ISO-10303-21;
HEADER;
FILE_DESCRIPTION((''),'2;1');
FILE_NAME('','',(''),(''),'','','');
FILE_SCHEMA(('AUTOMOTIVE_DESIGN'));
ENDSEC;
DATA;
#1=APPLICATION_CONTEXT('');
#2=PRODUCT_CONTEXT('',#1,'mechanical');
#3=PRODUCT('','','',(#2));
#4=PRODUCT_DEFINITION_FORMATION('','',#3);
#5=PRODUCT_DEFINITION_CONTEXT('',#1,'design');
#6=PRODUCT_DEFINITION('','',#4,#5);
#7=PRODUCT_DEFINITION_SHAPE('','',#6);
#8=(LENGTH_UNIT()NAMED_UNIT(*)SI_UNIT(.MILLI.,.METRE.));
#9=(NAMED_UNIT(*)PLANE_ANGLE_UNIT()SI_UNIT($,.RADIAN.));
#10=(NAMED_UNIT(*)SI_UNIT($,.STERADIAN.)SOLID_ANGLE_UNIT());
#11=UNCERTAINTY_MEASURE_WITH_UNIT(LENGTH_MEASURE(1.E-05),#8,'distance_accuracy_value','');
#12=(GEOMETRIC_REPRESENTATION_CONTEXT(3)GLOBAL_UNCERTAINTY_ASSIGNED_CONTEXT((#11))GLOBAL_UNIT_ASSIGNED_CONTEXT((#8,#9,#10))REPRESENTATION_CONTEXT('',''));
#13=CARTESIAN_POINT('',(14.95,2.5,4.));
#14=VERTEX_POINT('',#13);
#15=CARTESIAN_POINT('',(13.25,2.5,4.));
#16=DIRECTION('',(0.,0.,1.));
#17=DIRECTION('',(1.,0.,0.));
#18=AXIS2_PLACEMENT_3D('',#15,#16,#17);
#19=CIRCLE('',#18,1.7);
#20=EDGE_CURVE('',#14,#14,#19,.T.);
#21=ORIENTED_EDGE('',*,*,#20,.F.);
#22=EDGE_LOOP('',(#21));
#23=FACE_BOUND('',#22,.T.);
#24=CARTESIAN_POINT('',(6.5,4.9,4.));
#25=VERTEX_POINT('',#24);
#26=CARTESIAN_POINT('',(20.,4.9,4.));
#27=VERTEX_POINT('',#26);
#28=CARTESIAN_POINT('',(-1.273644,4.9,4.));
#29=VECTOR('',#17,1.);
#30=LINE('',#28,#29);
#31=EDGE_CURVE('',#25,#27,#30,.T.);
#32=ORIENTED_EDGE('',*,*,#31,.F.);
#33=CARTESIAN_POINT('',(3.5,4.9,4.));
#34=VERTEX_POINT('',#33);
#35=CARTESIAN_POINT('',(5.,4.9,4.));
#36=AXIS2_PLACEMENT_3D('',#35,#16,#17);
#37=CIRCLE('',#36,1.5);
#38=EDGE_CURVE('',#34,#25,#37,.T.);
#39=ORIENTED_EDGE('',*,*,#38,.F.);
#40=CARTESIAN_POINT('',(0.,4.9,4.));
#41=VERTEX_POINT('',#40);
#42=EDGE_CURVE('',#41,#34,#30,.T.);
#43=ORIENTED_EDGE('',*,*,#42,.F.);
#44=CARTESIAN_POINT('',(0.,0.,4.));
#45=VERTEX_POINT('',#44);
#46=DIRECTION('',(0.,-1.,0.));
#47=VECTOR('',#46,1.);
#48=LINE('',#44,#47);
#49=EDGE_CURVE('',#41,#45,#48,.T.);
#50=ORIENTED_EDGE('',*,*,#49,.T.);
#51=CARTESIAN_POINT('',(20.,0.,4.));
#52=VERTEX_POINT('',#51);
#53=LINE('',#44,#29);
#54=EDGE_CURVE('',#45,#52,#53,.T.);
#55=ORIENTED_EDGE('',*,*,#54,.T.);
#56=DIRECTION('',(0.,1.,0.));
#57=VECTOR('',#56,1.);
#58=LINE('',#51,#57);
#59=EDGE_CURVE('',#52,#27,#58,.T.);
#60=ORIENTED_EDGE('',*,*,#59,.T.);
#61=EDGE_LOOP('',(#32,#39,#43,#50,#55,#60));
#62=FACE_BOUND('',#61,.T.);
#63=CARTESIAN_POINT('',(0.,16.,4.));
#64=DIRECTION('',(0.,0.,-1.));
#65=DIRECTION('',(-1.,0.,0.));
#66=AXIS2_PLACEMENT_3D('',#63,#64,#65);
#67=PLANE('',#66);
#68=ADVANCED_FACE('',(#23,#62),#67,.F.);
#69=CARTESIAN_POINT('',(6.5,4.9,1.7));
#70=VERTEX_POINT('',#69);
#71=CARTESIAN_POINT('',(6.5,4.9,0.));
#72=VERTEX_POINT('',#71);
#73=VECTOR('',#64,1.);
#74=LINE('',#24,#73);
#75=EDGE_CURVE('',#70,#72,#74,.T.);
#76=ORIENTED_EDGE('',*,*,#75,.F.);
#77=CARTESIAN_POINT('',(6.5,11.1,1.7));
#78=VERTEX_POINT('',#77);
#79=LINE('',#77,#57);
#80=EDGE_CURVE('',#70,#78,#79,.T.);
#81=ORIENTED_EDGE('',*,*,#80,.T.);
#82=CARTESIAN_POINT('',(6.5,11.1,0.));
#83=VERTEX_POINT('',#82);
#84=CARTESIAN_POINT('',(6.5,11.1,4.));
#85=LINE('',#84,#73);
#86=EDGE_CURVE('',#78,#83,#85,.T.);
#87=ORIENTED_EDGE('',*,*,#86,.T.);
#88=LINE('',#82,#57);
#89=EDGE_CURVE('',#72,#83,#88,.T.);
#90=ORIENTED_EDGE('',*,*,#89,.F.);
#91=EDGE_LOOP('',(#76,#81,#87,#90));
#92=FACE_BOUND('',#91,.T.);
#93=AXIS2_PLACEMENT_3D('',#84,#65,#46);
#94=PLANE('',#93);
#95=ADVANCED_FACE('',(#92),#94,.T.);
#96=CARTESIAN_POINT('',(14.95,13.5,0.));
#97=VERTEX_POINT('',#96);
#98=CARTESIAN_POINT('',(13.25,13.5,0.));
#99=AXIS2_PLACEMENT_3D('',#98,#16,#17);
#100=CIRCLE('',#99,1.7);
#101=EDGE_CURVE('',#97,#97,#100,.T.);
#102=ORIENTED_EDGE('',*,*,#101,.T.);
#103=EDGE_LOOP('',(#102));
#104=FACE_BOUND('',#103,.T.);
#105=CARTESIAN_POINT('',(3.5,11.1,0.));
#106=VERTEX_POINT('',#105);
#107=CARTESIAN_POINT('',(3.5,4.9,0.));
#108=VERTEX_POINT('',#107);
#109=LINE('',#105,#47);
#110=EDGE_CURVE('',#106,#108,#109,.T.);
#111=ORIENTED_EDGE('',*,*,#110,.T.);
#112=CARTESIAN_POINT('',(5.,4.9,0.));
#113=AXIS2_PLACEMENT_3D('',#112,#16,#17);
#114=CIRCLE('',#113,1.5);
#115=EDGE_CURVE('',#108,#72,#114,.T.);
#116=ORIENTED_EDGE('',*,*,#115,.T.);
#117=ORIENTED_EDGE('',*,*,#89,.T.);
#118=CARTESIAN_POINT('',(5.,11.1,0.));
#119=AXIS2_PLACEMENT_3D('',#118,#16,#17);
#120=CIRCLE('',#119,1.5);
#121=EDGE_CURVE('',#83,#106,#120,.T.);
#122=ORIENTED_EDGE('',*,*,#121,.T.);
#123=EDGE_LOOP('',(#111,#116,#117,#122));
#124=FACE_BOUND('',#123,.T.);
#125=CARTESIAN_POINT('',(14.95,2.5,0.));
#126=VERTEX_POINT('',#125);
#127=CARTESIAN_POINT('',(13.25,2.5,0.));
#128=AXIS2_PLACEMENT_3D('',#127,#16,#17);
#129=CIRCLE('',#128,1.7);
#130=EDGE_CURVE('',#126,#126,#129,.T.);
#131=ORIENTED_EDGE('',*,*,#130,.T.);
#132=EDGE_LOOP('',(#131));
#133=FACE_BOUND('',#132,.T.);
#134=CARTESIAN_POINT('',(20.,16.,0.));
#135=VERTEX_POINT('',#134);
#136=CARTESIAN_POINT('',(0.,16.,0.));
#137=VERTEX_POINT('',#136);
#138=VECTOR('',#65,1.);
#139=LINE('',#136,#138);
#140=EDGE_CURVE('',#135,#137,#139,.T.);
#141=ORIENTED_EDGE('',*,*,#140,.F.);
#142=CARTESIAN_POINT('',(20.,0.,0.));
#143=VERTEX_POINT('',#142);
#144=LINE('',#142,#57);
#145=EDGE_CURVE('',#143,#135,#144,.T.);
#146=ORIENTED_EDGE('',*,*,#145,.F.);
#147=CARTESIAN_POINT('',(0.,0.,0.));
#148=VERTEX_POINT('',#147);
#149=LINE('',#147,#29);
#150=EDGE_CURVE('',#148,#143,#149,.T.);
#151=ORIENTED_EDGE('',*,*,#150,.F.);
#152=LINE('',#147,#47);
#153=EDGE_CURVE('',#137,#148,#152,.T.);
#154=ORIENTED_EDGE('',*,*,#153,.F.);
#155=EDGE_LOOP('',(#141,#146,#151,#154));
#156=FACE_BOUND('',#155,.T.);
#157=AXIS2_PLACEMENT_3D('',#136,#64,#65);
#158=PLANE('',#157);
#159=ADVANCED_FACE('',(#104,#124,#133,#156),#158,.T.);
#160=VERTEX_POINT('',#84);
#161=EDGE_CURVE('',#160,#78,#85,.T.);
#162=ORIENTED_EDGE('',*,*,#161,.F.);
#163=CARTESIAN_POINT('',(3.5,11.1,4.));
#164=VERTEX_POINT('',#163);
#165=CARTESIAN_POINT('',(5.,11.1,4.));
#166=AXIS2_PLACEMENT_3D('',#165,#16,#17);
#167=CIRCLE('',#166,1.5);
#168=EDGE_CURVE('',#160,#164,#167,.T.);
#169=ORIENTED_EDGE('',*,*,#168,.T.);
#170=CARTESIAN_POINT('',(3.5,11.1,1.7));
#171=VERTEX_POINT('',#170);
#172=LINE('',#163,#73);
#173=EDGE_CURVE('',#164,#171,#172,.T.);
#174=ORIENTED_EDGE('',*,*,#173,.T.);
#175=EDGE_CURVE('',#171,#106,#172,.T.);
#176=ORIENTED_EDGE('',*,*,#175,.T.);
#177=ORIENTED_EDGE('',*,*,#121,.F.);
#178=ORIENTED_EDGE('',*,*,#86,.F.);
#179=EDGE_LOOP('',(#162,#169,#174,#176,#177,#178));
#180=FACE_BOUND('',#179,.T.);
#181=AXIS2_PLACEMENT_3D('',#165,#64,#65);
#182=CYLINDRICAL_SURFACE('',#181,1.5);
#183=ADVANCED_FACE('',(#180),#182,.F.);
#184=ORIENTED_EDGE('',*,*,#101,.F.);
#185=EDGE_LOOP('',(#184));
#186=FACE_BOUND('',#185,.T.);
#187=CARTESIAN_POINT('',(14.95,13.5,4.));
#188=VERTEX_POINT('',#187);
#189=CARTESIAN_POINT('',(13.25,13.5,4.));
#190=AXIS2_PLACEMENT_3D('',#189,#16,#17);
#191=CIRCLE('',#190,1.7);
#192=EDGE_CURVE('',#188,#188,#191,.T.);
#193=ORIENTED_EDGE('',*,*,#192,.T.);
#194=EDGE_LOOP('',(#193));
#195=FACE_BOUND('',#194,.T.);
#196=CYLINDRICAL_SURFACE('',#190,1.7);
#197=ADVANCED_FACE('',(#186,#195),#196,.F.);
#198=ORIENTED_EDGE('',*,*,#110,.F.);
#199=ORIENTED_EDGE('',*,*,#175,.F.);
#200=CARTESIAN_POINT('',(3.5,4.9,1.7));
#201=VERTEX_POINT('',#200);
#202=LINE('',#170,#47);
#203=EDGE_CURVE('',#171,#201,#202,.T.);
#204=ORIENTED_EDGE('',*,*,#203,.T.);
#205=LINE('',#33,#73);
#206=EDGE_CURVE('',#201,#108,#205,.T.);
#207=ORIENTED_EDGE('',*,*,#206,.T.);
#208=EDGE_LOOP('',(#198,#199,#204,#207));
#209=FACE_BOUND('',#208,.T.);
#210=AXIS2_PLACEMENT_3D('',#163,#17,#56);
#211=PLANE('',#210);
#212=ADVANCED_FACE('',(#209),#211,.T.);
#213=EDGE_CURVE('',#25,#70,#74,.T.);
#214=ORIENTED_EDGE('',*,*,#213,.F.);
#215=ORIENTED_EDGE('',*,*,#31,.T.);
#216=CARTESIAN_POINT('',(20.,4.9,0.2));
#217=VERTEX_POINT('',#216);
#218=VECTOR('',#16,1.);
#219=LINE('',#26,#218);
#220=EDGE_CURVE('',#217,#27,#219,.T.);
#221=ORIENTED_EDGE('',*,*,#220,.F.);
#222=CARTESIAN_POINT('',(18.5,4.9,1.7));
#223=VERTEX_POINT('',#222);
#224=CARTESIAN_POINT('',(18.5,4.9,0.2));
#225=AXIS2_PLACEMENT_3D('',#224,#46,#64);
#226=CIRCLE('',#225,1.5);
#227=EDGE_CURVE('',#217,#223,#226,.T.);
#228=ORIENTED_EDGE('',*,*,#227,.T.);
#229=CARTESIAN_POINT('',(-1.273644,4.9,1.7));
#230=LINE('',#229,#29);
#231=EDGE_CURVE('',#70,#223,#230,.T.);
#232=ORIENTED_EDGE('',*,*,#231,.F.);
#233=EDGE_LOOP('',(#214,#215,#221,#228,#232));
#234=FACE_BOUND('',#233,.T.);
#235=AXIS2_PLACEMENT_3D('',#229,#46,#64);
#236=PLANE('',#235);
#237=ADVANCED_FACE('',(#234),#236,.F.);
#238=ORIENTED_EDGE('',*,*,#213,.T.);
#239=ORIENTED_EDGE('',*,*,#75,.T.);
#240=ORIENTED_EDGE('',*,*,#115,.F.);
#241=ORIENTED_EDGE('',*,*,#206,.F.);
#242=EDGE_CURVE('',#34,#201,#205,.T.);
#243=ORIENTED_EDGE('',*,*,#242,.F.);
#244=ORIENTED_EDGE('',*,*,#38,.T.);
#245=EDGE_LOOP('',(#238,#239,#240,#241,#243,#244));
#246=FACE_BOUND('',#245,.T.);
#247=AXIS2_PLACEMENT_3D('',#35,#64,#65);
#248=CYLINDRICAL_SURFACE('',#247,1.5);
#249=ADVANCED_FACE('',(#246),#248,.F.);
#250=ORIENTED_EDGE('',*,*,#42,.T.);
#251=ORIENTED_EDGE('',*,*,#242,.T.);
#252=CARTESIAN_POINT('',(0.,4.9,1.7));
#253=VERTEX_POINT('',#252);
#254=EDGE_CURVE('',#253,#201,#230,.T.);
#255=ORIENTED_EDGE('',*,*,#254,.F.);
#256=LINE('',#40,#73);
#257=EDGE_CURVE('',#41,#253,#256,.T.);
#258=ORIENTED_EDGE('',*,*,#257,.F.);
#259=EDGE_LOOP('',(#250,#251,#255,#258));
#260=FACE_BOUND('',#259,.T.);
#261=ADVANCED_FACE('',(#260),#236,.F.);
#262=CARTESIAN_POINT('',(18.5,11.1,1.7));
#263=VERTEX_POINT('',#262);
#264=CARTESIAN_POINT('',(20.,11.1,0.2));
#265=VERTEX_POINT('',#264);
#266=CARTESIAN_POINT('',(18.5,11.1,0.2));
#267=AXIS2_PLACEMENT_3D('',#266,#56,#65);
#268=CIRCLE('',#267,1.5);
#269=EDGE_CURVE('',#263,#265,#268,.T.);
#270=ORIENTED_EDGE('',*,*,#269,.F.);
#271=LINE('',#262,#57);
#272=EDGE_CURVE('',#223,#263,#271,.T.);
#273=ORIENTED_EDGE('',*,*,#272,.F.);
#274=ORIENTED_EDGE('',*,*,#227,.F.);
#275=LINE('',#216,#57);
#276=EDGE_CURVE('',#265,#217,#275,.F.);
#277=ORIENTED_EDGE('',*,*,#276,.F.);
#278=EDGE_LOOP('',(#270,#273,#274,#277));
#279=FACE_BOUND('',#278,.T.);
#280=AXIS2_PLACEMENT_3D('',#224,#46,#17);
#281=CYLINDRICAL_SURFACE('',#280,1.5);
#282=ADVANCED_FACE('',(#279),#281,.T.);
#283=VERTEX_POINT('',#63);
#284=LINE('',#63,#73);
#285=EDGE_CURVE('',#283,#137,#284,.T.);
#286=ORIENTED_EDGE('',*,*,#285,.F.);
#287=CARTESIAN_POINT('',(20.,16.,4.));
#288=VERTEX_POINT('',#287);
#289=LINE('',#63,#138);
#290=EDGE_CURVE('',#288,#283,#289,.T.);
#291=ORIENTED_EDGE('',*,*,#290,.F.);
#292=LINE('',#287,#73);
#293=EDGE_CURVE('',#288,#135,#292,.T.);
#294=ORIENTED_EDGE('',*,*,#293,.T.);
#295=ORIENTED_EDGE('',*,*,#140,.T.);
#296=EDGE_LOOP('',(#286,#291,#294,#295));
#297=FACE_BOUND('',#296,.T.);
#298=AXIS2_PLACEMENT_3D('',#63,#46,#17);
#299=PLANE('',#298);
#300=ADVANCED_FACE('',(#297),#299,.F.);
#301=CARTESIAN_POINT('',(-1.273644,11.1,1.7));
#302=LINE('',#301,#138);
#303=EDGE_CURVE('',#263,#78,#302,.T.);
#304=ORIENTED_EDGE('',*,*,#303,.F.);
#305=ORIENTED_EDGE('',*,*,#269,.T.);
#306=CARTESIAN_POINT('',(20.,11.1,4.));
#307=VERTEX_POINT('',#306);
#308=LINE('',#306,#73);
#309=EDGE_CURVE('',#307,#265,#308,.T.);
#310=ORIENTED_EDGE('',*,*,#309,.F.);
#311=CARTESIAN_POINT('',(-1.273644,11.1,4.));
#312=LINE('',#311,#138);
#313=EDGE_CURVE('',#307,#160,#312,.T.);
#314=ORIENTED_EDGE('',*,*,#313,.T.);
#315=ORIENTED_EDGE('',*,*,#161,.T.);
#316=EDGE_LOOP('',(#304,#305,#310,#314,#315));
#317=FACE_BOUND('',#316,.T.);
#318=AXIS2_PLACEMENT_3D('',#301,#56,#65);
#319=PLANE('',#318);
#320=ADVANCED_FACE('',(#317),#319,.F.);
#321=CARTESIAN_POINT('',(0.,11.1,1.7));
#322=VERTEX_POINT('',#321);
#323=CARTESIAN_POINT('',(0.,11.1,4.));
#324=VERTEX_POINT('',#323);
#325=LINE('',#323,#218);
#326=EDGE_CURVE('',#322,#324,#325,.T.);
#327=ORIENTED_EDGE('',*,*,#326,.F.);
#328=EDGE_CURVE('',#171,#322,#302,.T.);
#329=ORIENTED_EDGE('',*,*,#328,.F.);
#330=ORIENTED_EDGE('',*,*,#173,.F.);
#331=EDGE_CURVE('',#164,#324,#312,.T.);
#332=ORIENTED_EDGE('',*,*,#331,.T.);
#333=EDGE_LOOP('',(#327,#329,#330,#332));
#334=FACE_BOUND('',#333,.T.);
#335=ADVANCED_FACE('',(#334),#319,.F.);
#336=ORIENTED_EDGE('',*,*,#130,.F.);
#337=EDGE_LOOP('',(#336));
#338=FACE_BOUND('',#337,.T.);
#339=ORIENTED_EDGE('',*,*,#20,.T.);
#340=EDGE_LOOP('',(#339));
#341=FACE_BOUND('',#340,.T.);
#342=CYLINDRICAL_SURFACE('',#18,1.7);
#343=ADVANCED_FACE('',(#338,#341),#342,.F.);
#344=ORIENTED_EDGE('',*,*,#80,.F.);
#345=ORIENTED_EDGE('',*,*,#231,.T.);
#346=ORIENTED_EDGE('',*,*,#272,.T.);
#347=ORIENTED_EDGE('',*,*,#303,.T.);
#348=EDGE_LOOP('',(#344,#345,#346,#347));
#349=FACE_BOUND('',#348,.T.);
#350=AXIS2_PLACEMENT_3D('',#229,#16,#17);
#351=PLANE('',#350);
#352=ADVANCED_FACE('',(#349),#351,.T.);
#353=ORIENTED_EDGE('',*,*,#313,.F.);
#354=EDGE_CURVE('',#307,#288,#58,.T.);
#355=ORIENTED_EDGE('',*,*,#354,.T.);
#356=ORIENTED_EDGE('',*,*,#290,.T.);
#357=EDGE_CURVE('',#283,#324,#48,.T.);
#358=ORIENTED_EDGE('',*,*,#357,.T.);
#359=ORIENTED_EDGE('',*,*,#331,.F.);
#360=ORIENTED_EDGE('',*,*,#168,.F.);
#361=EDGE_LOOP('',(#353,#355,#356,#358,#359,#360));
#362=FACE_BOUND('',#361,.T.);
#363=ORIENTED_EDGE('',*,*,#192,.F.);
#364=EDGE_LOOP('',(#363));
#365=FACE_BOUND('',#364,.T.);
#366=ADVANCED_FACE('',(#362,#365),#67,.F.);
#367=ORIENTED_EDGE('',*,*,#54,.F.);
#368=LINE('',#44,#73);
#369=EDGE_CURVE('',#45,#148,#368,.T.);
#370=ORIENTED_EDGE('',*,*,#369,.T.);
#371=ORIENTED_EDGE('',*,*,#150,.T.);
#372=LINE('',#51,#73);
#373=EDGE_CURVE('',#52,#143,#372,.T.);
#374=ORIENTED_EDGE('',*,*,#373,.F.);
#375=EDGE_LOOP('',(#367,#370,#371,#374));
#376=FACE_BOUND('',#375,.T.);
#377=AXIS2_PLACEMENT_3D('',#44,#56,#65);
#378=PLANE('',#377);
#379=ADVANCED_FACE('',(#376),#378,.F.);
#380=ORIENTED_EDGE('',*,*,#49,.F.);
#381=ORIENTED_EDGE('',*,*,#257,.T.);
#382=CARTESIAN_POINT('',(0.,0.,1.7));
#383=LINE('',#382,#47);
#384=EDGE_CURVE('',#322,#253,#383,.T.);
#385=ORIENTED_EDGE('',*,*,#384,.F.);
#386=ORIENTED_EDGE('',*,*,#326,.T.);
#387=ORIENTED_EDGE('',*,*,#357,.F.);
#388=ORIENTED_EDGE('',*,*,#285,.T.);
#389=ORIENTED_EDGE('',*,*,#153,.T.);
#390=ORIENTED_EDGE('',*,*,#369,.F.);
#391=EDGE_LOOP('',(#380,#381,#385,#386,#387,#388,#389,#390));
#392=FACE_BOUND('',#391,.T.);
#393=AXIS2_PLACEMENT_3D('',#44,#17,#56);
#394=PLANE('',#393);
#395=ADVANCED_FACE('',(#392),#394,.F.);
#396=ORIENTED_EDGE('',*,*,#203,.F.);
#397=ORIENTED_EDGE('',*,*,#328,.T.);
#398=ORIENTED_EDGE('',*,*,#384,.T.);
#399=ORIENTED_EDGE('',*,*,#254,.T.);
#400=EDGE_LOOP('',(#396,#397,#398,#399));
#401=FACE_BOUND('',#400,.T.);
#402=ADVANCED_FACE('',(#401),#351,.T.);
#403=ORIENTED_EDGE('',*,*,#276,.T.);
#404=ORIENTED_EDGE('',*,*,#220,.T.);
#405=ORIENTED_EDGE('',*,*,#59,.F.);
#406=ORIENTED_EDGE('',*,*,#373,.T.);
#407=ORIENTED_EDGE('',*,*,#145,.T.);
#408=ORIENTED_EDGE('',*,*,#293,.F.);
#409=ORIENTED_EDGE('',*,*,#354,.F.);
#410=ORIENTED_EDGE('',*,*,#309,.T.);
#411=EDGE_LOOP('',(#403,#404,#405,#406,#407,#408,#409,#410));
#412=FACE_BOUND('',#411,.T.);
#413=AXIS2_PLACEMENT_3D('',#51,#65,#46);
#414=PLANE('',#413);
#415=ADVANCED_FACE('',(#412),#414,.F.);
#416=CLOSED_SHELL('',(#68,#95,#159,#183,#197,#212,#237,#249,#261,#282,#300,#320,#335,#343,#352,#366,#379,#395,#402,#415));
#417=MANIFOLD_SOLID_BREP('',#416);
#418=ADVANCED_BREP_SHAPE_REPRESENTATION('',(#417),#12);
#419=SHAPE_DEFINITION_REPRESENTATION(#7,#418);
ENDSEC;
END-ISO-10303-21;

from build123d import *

# Parameters (mm, degrees)
SKETCH1_W            = 20
SKETCH1_H            = 16
BOSS_EXTRUDE1_DEPTH  = 4
M3_CLEARANCE_HOLE1_D = 3.4
SKETCH4_W            = 27.686396546
SKETCH4_H            = 6.2
CUT_EXTRUDE1_DEPTH   = 2.3
FILLET1_R            = 1.5


with BuildPart() as part:
    # Sketch1 → Boss-Extrude1 (new body)
    with BuildSketch(Plane.XY):
        with Locations((10, 8)):
            Rectangle(SKETCH1_W, SKETCH1_H)
        with BuildLine():
            Line((6.5, 11.1), (6.5, 4.9))
            ThreePointArc((6.5, 4.9), (5, 3.4), (3.5, 4.9))
            Line((3.5, 4.9), (3.5, 11.1))
            ThreePointArc((3.5, 11.1), (5, 12.6), (6.5, 11.1))
        make_face(mode=Mode.SUBTRACT)
    extrude(amount=BOSS_EXTRUDE1_DEPTH)

    # M3 Clearance Hole1 (through all)
    with Locations(Plane.XY.offset(4)):
        with Locations((13.25, 13.5), (13.25, 2.5)):
            Hole(M3_CLEARANCE_HOLE1_D / 2)

    # Sketch4 → Cut-Extrude1 (cut)
    with BuildSketch(Plane.XY.offset(4)):
        with Locations((12.569554471, 8)):
            Rectangle(SKETCH4_W, SKETCH4_H)
    extrude(amount=-CUT_EXTRUDE1_DEPTH, mode=Mode.SUBTRACT)

    # Fillet1
    fillet1_edges = [part.edges().sort_by_distance(p)[0] for p in [
        (20, 8, 1.7),
    ]]
    fillet(fillet1_edges, radius=FILLET1_R)


solid = part.part
